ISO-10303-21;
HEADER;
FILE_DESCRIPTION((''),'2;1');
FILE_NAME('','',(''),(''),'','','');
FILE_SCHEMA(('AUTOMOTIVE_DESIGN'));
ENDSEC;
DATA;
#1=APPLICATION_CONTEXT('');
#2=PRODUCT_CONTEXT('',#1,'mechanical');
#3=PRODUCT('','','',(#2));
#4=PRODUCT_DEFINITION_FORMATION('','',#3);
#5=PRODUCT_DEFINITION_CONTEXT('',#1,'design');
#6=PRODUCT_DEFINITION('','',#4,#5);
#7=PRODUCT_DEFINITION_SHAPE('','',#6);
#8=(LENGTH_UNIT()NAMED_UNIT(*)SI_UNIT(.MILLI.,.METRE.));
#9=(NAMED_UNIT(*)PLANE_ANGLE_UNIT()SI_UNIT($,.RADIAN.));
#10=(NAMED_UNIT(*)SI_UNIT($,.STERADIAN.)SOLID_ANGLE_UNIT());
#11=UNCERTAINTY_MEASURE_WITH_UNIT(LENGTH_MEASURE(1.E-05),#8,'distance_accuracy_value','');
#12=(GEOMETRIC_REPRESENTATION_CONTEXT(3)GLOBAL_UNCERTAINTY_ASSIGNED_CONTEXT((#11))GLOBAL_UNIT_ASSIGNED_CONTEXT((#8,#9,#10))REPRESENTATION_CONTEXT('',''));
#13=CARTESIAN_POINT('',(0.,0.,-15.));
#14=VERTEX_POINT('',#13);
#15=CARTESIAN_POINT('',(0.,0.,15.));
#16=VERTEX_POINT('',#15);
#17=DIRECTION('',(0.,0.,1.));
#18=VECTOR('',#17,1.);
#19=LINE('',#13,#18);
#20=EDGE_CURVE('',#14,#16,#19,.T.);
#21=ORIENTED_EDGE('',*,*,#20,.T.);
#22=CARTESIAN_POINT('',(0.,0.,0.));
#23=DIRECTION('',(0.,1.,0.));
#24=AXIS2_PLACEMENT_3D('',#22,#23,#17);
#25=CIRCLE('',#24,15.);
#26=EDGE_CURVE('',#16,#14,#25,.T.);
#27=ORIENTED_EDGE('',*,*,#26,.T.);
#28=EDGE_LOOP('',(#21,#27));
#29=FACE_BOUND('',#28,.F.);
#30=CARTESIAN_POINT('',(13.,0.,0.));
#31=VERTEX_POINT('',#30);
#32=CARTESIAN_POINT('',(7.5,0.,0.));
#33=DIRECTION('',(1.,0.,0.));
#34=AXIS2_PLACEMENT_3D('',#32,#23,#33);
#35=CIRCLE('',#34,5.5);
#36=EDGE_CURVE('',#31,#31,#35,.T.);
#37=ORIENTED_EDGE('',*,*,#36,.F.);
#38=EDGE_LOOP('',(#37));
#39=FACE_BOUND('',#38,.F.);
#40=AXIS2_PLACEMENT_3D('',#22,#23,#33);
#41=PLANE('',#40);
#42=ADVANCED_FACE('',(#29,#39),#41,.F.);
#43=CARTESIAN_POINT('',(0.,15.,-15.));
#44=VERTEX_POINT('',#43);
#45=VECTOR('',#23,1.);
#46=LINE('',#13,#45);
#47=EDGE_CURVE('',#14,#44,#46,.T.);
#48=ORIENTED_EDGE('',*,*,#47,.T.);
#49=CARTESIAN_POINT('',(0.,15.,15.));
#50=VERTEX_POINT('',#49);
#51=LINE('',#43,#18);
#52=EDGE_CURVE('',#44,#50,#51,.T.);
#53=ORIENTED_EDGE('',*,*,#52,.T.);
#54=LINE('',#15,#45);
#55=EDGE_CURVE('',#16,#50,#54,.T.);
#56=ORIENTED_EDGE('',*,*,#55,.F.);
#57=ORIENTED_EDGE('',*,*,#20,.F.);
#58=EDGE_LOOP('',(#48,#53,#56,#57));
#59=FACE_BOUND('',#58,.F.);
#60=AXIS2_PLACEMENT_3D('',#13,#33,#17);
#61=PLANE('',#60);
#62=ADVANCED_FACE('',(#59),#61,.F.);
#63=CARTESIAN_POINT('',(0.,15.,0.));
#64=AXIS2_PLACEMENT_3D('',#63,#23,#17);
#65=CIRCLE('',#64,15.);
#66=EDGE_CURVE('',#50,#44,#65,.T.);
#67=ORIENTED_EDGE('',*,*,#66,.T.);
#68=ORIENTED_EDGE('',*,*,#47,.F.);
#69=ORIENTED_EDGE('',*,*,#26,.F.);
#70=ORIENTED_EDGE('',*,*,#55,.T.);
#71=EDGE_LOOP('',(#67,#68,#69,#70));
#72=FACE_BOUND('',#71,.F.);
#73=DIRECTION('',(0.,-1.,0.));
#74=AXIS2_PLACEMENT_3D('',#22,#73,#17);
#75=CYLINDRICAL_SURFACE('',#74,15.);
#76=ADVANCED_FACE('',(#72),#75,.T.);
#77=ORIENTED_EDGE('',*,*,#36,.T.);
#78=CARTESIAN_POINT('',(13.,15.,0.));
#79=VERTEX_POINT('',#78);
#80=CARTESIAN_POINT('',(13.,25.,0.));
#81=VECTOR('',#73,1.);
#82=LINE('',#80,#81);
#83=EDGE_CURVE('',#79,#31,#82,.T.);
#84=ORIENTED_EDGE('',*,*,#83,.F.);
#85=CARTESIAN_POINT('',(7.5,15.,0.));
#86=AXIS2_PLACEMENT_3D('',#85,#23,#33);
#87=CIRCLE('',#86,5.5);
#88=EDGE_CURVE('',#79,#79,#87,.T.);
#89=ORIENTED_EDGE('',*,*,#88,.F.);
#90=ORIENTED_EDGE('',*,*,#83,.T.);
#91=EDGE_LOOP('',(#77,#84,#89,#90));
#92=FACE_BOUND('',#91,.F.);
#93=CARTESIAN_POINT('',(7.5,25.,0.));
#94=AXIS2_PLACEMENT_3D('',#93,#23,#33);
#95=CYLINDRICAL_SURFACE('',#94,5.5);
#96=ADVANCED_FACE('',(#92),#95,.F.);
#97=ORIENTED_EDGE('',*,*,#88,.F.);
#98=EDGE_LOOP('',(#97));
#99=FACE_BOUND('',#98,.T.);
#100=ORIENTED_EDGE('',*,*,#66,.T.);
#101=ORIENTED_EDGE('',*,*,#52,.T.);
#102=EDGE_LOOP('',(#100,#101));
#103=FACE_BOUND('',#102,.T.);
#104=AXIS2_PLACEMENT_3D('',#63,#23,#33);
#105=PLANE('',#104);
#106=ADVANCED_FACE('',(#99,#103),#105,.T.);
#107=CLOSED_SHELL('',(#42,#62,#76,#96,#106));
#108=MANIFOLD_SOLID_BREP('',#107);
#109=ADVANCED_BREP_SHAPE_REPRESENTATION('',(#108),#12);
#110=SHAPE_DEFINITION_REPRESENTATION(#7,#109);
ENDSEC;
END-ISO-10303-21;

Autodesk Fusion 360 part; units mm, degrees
sketch "Sketch1" plane through (0, 0, 0) normal (0, 1, 0) x (1, 0, 0)
  arc A0 (0, -15) -> (0, 15) centre (0, 0) ccw
  line L0 (0, 0) -> (0, -15) construction
  line L1 (0, 0) -> (0, 15) construction
  line L2 (0, 15) -> (0, -15)
  circle A1 centre (7.5, 0) radius 5.5
  dimension "d1" = 180
  dimension "d2" = 11
  dimension "d10" = 7.5
extrude "Extrude1" add sketch "Sketch1" along normal blind 15
extrude "Extrude2" add sketch "Sketch1" along normal blind 25 contours A1
extrude "Extrude3" cut 1 faces at (7.6099, 25, -1.4661) along direction (0, -1, 0) blind 30
